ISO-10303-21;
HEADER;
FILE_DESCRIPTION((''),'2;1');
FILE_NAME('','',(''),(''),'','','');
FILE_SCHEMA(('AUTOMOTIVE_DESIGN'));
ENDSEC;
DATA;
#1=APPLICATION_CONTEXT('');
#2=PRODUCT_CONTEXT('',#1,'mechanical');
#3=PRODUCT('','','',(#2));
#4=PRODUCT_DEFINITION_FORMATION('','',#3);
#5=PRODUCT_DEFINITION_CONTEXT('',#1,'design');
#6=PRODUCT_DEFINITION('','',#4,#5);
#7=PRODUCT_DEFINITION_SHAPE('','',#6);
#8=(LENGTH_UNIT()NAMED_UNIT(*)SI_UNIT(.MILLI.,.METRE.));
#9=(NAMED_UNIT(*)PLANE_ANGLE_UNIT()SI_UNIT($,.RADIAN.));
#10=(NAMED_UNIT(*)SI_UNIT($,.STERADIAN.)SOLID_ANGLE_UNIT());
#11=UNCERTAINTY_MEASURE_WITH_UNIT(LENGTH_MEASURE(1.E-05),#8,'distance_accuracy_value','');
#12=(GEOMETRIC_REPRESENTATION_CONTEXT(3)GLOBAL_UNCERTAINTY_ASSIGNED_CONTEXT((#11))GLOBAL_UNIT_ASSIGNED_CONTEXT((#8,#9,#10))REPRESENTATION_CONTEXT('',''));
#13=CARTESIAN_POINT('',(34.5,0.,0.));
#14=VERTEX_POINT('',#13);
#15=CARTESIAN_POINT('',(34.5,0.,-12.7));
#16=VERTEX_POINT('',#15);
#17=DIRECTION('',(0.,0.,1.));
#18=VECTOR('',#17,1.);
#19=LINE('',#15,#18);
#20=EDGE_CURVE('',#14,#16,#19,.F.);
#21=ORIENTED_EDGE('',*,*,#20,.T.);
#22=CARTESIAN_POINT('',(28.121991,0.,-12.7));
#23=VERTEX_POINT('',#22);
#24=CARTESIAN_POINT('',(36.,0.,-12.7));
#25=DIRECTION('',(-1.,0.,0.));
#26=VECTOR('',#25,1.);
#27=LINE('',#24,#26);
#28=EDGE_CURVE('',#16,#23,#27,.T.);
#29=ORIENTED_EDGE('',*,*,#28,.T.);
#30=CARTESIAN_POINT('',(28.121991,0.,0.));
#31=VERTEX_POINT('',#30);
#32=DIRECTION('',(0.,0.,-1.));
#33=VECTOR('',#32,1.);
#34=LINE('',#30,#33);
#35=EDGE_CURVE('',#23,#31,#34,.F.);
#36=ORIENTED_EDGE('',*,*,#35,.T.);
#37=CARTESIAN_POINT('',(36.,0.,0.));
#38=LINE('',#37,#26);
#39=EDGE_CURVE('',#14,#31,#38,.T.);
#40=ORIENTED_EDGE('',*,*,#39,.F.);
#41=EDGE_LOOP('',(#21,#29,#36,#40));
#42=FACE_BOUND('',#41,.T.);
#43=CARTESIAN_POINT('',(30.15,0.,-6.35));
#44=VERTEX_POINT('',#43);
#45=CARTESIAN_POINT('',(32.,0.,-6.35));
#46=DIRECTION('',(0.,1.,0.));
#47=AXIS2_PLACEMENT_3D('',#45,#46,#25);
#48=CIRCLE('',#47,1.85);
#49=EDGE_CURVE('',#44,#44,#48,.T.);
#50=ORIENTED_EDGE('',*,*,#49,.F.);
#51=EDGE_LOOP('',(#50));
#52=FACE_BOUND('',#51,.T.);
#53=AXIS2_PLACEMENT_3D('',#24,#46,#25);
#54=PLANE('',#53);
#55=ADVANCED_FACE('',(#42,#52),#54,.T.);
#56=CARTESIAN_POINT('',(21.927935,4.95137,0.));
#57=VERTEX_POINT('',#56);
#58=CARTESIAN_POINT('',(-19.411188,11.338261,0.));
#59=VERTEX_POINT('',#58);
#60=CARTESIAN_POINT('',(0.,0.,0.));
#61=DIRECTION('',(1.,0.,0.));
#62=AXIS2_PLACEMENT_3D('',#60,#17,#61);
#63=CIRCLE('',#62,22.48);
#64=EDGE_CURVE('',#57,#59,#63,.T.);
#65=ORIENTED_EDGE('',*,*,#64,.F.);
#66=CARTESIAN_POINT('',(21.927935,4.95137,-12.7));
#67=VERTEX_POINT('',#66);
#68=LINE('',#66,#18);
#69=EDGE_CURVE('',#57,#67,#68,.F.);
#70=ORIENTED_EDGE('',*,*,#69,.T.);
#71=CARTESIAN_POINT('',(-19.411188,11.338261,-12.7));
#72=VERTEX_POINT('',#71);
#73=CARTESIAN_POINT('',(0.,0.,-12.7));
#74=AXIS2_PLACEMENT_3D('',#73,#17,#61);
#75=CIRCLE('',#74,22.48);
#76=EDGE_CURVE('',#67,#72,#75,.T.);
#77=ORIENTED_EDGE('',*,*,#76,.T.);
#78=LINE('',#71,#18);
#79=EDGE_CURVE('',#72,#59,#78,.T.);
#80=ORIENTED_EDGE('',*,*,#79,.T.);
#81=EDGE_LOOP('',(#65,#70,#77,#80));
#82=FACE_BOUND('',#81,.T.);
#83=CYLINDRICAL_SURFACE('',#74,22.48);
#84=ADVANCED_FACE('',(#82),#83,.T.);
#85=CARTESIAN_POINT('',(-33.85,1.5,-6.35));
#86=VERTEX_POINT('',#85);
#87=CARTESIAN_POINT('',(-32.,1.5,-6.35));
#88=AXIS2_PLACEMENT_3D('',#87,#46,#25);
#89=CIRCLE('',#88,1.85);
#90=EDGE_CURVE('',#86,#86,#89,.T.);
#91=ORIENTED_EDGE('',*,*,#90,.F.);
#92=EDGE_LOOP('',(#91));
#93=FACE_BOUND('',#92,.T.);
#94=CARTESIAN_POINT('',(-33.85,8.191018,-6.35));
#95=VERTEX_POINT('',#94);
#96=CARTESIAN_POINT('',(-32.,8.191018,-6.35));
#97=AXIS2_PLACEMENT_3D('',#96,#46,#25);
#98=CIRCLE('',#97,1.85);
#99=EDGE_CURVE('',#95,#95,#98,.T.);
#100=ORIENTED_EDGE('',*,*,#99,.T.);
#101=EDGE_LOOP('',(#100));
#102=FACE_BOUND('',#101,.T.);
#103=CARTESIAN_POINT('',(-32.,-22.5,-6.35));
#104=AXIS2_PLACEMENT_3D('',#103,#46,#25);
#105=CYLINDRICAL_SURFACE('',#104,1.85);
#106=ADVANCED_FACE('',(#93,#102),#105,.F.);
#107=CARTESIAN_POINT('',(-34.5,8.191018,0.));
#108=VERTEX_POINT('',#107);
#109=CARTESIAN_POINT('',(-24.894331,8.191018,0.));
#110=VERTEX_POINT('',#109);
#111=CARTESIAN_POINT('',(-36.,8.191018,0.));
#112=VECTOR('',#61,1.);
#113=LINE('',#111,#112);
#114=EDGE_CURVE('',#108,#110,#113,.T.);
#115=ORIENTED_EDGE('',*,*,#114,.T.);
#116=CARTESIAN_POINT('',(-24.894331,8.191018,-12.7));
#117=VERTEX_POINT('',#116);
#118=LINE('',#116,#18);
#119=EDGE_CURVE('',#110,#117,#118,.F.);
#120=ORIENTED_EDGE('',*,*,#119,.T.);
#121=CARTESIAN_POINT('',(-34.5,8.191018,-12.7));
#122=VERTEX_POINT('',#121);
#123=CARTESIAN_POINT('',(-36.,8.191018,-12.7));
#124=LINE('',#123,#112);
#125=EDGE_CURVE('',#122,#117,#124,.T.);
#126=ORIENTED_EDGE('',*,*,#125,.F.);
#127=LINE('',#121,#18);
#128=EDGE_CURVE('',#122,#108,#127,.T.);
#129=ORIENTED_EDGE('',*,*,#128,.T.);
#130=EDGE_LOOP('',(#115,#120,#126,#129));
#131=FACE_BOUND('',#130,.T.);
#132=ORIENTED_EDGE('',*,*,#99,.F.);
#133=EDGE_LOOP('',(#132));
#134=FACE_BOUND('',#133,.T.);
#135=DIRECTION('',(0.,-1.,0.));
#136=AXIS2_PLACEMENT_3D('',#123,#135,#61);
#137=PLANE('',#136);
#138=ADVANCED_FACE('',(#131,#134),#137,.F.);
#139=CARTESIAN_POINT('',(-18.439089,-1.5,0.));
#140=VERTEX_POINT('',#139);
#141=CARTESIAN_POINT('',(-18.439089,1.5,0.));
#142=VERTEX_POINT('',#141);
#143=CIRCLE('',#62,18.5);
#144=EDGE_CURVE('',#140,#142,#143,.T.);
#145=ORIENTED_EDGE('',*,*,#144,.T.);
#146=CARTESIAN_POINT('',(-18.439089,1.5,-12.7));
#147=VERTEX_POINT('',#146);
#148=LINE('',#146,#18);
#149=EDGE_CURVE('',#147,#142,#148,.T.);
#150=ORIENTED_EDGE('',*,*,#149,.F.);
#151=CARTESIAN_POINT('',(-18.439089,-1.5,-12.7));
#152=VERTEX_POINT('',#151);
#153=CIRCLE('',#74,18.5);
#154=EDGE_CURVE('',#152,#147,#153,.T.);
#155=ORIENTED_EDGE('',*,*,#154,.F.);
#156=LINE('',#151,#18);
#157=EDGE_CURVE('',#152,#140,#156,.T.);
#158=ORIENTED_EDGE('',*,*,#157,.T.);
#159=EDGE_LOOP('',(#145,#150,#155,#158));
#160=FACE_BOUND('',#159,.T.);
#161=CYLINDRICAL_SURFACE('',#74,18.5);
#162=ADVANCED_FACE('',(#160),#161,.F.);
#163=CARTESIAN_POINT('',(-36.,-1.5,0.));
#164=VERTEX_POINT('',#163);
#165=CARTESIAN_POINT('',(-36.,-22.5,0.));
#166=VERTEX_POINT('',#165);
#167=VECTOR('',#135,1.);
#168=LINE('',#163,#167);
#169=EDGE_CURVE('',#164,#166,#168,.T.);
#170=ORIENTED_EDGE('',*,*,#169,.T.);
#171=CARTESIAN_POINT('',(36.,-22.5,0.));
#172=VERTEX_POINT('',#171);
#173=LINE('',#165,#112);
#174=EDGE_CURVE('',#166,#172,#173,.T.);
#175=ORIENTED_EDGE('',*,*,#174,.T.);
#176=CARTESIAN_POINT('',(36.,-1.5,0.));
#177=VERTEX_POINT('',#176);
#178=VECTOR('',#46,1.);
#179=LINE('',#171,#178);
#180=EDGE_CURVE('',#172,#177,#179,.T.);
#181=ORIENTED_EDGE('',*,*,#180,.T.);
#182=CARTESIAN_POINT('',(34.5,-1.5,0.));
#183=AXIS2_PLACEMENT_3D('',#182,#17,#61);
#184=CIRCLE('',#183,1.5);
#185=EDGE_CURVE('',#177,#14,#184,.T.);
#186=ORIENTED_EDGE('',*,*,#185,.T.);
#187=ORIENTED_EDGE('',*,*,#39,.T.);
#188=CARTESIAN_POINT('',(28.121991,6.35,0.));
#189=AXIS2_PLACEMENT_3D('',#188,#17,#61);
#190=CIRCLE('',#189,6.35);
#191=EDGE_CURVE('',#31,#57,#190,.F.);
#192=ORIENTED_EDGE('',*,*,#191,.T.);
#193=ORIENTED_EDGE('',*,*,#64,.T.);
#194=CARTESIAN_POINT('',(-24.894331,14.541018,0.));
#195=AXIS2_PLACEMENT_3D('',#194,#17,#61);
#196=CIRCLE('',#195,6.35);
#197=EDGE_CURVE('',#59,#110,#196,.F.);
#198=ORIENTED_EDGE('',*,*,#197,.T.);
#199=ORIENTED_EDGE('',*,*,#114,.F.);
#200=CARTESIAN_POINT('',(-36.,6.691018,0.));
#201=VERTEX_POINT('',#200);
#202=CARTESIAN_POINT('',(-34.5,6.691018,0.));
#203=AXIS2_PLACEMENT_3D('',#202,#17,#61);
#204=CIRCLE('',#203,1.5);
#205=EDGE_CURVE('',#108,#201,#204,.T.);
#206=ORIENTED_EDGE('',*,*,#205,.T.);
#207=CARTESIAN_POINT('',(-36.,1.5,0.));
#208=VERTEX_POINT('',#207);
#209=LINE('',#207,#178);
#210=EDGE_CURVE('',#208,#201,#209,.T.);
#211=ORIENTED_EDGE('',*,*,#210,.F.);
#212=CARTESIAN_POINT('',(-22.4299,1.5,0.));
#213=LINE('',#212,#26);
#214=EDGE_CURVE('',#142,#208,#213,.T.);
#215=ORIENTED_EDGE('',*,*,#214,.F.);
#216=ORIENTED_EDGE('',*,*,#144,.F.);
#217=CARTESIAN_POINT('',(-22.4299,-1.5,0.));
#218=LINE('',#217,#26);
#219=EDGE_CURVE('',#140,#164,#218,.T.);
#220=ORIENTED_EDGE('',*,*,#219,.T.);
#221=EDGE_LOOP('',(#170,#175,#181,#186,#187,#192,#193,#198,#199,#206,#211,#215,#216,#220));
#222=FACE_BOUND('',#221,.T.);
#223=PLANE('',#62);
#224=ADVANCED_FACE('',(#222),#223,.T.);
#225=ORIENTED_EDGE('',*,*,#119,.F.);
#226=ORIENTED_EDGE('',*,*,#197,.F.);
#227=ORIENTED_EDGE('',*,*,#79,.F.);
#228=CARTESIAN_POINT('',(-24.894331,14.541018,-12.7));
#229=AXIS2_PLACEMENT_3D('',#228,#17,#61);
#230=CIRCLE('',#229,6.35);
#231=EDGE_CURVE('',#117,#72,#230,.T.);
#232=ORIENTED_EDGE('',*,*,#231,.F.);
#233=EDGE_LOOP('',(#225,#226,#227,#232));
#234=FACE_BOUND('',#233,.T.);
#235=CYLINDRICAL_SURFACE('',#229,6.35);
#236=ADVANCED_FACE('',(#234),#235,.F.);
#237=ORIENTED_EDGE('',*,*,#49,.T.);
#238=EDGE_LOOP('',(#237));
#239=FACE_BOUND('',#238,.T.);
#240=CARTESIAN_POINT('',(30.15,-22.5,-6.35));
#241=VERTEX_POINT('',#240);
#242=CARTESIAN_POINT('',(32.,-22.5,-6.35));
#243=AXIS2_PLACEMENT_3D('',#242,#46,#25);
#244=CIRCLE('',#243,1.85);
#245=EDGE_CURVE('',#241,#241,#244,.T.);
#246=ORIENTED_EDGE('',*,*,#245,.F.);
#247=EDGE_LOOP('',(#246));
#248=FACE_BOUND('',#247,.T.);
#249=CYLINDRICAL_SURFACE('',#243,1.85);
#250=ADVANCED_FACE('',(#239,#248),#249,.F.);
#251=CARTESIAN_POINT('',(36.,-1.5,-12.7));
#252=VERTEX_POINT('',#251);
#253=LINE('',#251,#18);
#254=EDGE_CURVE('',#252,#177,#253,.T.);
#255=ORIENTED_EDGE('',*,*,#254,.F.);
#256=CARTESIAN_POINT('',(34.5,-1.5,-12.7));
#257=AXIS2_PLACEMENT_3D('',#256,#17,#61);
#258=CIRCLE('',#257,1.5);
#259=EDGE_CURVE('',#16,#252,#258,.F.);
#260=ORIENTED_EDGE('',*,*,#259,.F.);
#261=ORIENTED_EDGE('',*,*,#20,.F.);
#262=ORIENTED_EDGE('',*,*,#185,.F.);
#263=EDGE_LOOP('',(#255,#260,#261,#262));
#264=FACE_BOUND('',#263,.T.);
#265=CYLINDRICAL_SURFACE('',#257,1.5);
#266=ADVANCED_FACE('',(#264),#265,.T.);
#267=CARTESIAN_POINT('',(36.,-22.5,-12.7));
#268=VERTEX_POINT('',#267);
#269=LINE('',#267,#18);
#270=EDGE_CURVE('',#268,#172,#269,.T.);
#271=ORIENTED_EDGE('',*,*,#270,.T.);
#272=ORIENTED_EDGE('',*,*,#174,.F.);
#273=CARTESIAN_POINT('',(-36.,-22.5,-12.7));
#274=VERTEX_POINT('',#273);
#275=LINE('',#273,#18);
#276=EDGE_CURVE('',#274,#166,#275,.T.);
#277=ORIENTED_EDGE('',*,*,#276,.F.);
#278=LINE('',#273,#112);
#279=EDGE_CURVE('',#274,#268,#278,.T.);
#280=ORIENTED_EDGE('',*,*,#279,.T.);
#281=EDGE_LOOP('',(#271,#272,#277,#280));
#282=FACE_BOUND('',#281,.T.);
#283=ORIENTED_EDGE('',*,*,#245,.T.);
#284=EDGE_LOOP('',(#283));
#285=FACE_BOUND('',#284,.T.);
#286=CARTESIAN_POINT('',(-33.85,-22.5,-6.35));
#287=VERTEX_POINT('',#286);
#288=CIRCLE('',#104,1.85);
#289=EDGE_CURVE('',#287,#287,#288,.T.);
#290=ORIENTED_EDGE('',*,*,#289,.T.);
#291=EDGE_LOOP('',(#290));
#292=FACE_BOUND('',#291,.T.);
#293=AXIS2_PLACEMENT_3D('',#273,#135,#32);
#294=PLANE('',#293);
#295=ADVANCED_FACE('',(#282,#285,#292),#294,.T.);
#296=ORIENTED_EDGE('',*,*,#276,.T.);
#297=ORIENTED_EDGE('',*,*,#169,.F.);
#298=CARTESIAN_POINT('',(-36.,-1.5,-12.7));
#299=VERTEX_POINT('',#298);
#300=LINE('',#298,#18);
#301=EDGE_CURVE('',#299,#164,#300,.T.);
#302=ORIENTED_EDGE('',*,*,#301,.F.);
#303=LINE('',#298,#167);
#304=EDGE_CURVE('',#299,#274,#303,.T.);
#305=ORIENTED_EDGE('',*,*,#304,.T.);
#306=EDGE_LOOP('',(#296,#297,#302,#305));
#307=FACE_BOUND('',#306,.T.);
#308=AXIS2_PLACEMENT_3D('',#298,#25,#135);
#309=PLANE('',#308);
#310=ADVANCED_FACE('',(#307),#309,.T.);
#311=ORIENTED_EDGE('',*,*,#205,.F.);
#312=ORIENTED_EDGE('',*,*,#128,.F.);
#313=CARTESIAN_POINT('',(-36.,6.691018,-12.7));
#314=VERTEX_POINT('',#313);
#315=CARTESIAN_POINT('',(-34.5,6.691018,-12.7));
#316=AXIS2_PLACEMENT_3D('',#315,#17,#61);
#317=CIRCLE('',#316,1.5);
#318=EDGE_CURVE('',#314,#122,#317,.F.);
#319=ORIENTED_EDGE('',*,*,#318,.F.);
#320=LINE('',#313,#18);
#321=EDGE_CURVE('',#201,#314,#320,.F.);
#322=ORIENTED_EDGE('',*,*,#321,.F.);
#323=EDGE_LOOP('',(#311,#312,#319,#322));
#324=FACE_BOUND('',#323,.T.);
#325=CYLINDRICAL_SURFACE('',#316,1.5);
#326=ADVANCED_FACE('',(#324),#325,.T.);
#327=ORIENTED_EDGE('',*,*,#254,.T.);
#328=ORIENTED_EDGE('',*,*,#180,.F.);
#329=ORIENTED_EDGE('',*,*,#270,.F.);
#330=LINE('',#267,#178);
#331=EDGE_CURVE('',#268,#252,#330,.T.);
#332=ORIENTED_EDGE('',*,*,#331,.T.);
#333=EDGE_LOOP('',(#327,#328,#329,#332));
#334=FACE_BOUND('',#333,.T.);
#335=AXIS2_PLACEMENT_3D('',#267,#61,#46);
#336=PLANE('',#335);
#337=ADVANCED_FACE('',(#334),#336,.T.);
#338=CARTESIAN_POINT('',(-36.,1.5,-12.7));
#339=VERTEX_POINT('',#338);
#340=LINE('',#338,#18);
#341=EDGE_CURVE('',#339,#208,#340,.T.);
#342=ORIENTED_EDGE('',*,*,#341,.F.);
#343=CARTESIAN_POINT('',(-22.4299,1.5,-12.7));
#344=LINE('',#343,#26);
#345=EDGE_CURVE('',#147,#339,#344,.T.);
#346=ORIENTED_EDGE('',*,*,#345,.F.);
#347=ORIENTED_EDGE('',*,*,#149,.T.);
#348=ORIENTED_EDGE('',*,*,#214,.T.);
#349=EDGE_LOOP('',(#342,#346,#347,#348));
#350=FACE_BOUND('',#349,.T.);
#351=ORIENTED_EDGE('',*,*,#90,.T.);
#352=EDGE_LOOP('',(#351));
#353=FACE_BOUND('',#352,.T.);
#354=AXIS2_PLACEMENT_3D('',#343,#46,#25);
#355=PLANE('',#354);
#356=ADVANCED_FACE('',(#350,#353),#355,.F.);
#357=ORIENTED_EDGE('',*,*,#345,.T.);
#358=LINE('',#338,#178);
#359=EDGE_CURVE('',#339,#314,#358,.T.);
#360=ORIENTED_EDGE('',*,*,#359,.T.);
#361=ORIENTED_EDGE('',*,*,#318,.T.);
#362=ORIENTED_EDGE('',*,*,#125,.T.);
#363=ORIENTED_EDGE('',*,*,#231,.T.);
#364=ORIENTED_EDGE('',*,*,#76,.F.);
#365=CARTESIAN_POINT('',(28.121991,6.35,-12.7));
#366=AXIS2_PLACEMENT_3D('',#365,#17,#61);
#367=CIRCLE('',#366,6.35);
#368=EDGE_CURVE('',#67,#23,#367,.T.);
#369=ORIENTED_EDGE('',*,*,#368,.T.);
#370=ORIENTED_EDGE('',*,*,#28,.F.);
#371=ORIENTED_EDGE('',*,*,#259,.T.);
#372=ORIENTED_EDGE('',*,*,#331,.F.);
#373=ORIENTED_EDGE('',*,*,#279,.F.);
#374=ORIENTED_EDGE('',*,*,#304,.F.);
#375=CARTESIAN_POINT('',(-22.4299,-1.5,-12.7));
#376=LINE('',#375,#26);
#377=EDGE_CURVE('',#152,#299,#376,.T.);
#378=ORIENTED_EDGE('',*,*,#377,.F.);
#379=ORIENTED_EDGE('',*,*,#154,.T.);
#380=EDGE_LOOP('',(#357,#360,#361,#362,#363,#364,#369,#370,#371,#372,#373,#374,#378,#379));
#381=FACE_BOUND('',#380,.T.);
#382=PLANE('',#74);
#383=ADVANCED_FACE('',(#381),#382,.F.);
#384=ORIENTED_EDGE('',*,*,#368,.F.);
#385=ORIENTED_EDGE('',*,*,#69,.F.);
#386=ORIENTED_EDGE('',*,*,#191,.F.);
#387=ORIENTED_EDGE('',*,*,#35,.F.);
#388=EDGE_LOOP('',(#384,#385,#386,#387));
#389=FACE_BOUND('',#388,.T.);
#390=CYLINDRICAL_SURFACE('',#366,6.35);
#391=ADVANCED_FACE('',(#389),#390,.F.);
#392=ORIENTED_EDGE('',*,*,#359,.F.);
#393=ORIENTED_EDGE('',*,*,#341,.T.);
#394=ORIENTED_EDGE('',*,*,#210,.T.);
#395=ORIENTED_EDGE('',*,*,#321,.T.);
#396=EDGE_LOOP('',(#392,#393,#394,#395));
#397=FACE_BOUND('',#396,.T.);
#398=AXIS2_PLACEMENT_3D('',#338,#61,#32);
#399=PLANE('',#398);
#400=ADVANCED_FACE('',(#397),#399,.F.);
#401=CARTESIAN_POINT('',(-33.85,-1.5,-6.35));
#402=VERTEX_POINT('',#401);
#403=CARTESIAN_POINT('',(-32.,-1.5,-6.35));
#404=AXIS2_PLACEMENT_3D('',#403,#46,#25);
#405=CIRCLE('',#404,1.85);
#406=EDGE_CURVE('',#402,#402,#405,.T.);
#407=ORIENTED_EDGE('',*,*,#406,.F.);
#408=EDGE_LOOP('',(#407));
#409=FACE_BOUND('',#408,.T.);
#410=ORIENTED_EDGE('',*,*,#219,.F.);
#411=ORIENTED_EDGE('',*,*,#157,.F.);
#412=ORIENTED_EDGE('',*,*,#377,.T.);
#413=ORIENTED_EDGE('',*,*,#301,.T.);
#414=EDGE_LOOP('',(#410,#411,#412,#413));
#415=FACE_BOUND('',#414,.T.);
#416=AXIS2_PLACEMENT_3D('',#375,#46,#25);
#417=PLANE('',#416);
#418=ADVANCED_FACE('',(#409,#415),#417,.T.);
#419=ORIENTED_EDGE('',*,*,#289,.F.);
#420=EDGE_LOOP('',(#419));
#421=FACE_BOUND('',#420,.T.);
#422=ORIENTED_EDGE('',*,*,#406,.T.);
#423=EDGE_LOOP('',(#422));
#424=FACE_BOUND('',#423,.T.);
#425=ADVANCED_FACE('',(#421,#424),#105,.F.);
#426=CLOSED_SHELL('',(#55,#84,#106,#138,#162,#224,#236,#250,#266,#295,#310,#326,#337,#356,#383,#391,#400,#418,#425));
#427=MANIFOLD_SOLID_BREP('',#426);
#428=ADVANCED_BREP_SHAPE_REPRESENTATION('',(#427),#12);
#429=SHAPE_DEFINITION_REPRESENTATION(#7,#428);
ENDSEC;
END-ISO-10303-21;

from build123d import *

# Parameters (mm, degrees)
EXTRUDE1_DEPTH     = 12.7
SKETCH2_R          = 18.5
CUT_EXTRUDE1_DEPTH = 13.7
SKETCH4_W          = 3.990810773
SKETCH4_H          = 3
CUT_EXTRUDE2_DEPTH = 13.7
SKETCH5_R          = 1.85
CUT_EXTRUDE3_DEPTH = 31.691017566
SKETCH6_R          = 1.85
CUT_EXTRUDE4_DEPTH = 23.5
FILLET2_R          = 6.35
FILLET3_R          = 6.35
FILLET6_R          = 1.5
FILLET7_R          = 1.5


with BuildPart() as part:
    # Sketch1 → Extrude1 (new body)
    with BuildSketch(Plane.XY):
        with BuildLine():
            Line((-22.429899688, -1.5), (-36, -1.5))
            Line((-36, -1.5), (-36, -22.5))
            Line((-36, -22.5), (36, -22.5))
            Line((36, -22.5), (36, 0))
            Line((36, 0), (22.48, 0))
            ThreePointArc((22.48, 0), (4.167763746, 22.090272641), (-20.93460368, 8.191017566))
            Line((-20.93460368, 8.191017566), (-36, 8.191017566))
            Line((-36, 8.191017566), (-36, 1.5))
            Line((-36, 1.5), (-22.429899688, 1.5))
            Line((-22.429899688, 1.5), (-22.429899688, -1.5))
        make_face()
    extrude(amount=-EXTRUDE1_DEPTH)

    # Sketch2 → Cut-Extrude1 (cut, through all)
    with BuildSketch(Plane.XY):
        Circle(SKETCH2_R)
    extrude(amount=-CUT_EXTRUDE1_DEPTH, mode=Mode.SUBTRACT)

    # Sketch4 → Cut-Extrude2 (cut, through all)
    with BuildSketch(Plane.XY):
        with Locations((-20.434494302, 0)):
            Rectangle(SKETCH4_W, SKETCH4_H)
    extrude(amount=-CUT_EXTRUDE2_DEPTH, mode=Mode.SUBTRACT)

    # Sketch5 → Cut-Extrude3 (cut, through all)
    with BuildSketch(Plane(origin=(0, 8.191017566, 0), x_dir=(1, 0, 0), z_dir=(0, 1, 0))):
        with Locations((-32, 6.35)):
            Circle(SKETCH5_R)
    extrude(amount=-CUT_EXTRUDE3_DEPTH, mode=Mode.SUBTRACT)

    # Sketch6 → Cut-Extrude4 (cut, through all)
    with BuildSketch(Plane(origin=(0, 0, 0), x_dir=(1, 0, 0), z_dir=(0, 1, 0))):
        with Locations((32, 6.35)):
            Circle(SKETCH6_R)
    extrude(amount=-CUT_EXTRUDE4_DEPTH, mode=Mode.SUBTRACT)

    # Fillet2
    fillet2_edges = [part.edges().sort_by_distance(p)[0] for p in [
        (22.48, 0, -6.35),
    ]]
    fillet(fillet2_edges, radius=FILLET2_R)

    # Fillet3
    fillet3_edges = [part.edges().sort_by_distance(p)[0] for p in [
        (-20.93460368, 8.191017566, -6.35),
    ]]
    fillet(fillet3_edges, radius=FILLET3_R)

    # Fillet6
    fillet6_edges = [part.edges().sort_by_distance(p)[0] for p in [
        (36, 0, -6.35),
    ]]
    fillet(fillet6_edges, radius=FILLET6_R)

    # Fillet7
    fillet7_edges = [part.edges().sort_by_distance(p)[0] for p in [
        (-36, 8.191017566, -6.35),
    ]]
    fillet(fillet7_edges, radius=FILLET7_R)


solid = part.part
